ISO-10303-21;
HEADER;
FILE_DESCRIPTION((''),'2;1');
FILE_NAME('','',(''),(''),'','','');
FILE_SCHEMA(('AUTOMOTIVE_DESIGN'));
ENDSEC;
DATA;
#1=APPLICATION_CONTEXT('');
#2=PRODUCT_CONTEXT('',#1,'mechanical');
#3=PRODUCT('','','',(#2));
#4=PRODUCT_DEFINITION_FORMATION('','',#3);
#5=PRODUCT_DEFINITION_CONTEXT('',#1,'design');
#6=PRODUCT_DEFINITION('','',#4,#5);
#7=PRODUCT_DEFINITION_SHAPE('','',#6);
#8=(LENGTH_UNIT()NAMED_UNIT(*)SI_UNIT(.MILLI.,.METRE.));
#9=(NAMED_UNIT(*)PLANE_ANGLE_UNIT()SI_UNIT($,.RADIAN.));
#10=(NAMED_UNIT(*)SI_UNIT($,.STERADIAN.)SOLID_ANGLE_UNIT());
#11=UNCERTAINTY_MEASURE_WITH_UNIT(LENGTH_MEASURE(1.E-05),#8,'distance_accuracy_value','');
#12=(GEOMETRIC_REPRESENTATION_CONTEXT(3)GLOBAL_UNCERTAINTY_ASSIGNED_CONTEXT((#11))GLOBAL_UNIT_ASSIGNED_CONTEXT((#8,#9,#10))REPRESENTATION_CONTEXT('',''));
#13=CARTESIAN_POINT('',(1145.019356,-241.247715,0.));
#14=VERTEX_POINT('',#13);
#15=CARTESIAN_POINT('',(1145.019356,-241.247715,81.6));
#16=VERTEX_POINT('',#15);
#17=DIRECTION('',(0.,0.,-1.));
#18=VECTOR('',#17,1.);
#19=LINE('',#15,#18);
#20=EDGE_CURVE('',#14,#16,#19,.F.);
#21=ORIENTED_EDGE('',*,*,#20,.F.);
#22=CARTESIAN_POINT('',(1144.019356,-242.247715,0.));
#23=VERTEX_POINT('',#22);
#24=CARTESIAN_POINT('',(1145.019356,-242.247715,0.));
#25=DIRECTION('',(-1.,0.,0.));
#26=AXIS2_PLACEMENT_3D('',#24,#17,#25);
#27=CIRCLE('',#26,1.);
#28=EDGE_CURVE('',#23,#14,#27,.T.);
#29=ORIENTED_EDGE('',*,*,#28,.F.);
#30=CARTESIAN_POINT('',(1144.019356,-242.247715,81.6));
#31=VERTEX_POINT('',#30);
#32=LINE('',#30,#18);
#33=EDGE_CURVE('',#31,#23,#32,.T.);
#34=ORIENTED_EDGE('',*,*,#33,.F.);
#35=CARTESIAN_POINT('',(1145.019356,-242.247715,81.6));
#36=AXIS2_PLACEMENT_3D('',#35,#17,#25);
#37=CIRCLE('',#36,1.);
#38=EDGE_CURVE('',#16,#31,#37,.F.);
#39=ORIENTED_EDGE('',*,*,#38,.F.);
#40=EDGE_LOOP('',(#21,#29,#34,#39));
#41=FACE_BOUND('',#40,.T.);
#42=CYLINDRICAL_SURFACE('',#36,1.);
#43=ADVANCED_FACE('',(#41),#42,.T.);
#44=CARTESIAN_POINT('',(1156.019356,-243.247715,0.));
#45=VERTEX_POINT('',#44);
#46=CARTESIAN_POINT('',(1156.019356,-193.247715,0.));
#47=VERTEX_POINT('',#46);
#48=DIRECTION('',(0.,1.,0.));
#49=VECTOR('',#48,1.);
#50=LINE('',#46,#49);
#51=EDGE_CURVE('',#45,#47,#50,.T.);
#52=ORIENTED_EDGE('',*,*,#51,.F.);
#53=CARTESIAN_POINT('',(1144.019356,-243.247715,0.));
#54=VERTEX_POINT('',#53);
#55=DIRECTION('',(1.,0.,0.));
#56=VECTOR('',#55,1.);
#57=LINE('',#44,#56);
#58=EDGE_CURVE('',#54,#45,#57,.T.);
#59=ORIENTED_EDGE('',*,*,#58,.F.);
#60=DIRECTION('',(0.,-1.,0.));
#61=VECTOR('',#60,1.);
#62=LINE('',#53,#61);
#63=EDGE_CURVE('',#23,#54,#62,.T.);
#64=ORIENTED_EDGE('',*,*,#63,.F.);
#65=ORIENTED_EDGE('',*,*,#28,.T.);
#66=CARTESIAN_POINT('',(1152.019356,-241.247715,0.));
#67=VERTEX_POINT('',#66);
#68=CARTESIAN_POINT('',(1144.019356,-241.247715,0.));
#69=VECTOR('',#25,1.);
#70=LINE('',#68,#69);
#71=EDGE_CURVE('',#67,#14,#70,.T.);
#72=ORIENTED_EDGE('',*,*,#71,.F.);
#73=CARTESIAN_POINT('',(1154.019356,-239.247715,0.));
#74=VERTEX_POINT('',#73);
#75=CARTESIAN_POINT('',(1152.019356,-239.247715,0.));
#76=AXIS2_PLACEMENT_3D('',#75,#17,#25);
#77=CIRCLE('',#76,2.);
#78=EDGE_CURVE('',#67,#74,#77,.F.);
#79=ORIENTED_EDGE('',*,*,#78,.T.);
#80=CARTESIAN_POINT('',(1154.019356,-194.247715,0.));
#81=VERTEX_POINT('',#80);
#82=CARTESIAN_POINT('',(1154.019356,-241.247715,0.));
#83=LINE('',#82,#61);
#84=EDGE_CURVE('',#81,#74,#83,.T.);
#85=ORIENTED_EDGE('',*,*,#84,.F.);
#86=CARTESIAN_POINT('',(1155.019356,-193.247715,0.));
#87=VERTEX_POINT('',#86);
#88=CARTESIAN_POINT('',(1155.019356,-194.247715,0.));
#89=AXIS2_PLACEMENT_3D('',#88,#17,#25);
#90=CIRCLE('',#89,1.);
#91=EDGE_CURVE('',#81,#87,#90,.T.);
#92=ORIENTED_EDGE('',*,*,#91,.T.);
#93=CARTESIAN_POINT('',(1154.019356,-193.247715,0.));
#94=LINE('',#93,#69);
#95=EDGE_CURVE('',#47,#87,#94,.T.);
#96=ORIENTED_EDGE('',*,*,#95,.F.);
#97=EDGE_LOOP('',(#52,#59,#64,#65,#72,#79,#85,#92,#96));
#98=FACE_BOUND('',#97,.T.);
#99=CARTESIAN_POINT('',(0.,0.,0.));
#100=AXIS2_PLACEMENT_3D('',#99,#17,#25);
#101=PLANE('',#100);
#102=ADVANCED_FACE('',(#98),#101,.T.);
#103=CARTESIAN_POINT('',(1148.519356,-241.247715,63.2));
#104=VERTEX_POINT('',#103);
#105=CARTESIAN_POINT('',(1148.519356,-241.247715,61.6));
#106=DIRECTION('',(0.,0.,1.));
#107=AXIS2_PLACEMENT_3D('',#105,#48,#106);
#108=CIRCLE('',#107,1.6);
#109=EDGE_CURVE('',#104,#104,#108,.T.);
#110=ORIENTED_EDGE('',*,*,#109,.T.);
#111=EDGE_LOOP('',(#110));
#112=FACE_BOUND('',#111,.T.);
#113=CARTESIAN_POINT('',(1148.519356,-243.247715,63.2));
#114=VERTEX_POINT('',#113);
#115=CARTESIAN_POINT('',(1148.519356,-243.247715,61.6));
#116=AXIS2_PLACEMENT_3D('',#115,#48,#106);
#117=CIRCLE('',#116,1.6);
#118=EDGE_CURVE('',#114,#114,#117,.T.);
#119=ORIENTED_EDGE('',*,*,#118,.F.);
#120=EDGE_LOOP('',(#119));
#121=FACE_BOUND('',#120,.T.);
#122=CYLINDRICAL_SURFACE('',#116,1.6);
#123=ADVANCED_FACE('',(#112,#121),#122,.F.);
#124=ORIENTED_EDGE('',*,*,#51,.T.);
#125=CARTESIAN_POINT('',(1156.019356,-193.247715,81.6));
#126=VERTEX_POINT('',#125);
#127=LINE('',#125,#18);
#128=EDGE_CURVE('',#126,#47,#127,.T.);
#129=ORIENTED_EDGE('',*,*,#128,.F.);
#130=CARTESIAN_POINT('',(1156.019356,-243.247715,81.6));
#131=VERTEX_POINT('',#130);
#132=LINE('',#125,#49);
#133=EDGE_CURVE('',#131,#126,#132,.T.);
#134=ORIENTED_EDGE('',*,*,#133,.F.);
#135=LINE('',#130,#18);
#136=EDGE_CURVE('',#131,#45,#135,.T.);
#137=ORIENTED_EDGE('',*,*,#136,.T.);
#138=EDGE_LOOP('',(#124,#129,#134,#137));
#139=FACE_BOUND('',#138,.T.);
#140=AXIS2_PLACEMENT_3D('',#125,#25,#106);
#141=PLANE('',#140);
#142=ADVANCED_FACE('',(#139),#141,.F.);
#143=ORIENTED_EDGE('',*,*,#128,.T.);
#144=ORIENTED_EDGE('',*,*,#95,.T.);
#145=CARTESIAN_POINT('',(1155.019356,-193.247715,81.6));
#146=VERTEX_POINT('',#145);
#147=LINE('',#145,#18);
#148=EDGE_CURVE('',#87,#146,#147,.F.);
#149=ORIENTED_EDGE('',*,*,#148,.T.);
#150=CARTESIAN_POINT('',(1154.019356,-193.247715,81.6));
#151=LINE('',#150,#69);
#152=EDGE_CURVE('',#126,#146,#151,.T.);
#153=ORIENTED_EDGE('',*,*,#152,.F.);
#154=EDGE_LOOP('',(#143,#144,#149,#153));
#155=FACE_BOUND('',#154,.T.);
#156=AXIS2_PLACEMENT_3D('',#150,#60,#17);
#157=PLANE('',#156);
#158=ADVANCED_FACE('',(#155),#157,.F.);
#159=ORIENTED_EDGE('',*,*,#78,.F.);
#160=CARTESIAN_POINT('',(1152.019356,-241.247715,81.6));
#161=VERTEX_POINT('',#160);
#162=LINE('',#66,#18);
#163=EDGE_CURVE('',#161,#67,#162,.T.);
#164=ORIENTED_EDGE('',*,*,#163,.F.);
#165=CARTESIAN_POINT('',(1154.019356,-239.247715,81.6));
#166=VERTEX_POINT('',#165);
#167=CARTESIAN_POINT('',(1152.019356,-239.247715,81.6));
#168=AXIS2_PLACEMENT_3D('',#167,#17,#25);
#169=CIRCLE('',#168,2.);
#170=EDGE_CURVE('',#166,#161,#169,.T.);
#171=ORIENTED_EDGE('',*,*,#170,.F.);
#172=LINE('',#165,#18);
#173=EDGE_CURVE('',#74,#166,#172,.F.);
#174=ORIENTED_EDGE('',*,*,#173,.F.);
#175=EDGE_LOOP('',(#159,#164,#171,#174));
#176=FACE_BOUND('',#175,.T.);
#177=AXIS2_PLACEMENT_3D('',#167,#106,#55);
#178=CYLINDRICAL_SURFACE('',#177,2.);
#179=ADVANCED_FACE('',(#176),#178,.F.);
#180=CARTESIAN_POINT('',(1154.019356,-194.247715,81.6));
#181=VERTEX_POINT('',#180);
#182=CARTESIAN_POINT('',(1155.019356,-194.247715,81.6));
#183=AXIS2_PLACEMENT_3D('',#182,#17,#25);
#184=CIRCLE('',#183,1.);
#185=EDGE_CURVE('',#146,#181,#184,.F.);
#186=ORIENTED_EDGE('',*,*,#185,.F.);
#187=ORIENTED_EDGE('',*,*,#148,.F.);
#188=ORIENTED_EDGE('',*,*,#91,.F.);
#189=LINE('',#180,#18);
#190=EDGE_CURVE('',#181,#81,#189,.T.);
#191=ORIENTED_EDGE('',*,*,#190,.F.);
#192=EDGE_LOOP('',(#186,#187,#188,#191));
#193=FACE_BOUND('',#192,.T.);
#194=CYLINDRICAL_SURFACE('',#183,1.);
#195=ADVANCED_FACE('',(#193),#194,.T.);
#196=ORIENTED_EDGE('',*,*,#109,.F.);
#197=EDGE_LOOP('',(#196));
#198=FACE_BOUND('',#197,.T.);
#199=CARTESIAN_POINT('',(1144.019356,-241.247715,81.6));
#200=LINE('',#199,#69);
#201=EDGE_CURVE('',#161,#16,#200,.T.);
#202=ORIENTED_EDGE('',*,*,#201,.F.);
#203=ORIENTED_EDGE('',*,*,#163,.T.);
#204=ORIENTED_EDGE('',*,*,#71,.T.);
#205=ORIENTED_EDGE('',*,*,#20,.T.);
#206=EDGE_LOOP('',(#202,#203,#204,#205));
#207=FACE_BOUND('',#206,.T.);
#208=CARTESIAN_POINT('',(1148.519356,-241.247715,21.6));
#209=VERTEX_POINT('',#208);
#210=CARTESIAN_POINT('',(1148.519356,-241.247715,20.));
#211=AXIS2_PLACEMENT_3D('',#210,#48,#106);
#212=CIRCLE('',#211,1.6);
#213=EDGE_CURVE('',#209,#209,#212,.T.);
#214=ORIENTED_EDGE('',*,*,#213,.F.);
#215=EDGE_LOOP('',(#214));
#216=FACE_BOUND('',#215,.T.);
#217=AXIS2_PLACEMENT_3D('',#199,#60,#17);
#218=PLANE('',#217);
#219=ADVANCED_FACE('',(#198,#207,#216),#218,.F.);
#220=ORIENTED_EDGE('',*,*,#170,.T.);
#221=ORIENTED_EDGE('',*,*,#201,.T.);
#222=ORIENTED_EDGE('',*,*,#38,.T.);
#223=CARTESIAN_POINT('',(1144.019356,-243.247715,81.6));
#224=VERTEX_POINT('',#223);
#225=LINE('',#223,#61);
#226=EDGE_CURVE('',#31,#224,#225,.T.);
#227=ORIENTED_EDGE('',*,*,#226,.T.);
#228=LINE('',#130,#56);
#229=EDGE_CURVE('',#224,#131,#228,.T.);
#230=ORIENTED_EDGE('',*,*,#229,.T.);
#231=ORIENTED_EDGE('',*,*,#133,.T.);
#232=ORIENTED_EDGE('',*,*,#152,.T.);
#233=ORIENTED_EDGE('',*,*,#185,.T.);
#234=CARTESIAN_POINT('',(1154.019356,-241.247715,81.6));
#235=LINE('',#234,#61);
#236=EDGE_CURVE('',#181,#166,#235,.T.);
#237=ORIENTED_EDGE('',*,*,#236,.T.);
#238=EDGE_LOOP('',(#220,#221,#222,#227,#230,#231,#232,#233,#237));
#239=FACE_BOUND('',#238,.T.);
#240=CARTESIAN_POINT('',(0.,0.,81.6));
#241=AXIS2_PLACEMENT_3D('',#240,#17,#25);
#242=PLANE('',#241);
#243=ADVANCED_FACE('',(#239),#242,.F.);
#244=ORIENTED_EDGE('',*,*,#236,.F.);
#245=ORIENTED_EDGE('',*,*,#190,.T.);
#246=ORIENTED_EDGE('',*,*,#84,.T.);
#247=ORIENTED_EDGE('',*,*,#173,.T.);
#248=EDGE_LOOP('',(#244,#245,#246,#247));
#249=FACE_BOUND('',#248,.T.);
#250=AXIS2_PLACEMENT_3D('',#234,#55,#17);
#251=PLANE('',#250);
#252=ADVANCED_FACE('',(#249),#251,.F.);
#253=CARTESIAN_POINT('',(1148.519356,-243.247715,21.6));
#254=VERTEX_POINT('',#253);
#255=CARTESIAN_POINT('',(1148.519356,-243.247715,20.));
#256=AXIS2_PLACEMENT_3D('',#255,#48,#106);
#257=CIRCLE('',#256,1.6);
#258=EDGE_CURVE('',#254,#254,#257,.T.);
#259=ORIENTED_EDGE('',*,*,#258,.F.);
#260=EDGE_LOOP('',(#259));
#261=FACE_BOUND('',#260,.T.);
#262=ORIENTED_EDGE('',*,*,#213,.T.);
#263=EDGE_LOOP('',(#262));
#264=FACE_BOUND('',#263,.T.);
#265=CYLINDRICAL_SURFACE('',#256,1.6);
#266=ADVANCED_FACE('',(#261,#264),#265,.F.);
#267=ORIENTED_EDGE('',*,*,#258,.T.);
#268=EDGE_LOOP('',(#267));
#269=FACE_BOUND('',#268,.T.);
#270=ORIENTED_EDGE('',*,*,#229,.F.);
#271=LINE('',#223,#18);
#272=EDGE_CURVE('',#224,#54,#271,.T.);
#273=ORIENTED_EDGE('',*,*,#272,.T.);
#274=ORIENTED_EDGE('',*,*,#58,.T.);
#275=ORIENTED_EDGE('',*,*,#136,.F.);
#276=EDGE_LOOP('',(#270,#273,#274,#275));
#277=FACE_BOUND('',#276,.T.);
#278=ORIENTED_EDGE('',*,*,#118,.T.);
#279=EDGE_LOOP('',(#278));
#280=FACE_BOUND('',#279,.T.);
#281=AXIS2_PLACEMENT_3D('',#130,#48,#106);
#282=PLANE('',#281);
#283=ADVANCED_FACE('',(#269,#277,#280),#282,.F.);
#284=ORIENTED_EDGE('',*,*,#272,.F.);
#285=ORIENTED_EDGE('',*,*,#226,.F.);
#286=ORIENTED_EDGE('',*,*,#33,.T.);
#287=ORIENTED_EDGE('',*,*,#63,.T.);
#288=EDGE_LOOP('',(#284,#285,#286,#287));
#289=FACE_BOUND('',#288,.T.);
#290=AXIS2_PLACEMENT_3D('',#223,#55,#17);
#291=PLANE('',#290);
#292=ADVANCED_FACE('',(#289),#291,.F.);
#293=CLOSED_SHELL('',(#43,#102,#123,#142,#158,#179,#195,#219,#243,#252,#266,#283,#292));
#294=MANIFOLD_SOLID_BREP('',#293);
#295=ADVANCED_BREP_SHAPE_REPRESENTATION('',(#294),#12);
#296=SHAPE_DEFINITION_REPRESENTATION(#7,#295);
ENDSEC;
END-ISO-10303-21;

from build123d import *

# Parameters (mm, degrees)
BOSS_EXTRUDE1_DEPTH = 81.6
FILLET1_R           = 1
FILLET2_R           = 2
SKETCH2_R           = 1.6
CUT_EXTRUDE1_DEPTH  = 1160.889353037


with BuildPart() as part:
    # Sketch1 → Boss-Extrude1 (new body)
    with BuildSketch(Plane.XY):
        Polygon((1156.019355932, -193.247714945), (1156.019355932, -243.247714945), (1144.019355932, -243.247714945), (1144.019355932, -241.247714945), (1154.019355932, -241.247714945), (1154.019355932, -193.247714945), align=None)
    extrude(amount=BOSS_EXTRUDE1_DEPTH)

    # Fillet1
    fillet1_edges = [part.edges().sort_by_distance(p)[0] for p in [
        (1144.019355932, -241.247714945, 40.8),
        (1154.019355932, -193.247714945, 40.8),
    ]]
    fillet(fillet1_edges, radius=FILLET1_R)

    # Fillet2
    fillet2_edges = [part.edges().sort_by_distance(p)[0] for p in [
        (1154.019355932, -241.247714945, 40.8),
    ]]
    fillet(fillet2_edges, radius=FILLET2_R)

    # Sketch2 → Cut-Extrude1 (cut, through all)
    with BuildSketch(Plane(origin=(0, -241.247714945, 0), x_dir=(1, 0, 0), z_dir=(0, 1, 0))):
        with Locations(Location((1148.519355932, -61.6, 0), (0, 0, 270))):
            Circle(SKETCH2_R)
        with Locations(Location((1148.519355932, -20, 0), (0, 0, 270))):
            Circle(SKETCH2_R)
    extrude(amount=-CUT_EXTRUDE1_DEPTH, mode=Mode.SUBTRACT)


solid = part.part
